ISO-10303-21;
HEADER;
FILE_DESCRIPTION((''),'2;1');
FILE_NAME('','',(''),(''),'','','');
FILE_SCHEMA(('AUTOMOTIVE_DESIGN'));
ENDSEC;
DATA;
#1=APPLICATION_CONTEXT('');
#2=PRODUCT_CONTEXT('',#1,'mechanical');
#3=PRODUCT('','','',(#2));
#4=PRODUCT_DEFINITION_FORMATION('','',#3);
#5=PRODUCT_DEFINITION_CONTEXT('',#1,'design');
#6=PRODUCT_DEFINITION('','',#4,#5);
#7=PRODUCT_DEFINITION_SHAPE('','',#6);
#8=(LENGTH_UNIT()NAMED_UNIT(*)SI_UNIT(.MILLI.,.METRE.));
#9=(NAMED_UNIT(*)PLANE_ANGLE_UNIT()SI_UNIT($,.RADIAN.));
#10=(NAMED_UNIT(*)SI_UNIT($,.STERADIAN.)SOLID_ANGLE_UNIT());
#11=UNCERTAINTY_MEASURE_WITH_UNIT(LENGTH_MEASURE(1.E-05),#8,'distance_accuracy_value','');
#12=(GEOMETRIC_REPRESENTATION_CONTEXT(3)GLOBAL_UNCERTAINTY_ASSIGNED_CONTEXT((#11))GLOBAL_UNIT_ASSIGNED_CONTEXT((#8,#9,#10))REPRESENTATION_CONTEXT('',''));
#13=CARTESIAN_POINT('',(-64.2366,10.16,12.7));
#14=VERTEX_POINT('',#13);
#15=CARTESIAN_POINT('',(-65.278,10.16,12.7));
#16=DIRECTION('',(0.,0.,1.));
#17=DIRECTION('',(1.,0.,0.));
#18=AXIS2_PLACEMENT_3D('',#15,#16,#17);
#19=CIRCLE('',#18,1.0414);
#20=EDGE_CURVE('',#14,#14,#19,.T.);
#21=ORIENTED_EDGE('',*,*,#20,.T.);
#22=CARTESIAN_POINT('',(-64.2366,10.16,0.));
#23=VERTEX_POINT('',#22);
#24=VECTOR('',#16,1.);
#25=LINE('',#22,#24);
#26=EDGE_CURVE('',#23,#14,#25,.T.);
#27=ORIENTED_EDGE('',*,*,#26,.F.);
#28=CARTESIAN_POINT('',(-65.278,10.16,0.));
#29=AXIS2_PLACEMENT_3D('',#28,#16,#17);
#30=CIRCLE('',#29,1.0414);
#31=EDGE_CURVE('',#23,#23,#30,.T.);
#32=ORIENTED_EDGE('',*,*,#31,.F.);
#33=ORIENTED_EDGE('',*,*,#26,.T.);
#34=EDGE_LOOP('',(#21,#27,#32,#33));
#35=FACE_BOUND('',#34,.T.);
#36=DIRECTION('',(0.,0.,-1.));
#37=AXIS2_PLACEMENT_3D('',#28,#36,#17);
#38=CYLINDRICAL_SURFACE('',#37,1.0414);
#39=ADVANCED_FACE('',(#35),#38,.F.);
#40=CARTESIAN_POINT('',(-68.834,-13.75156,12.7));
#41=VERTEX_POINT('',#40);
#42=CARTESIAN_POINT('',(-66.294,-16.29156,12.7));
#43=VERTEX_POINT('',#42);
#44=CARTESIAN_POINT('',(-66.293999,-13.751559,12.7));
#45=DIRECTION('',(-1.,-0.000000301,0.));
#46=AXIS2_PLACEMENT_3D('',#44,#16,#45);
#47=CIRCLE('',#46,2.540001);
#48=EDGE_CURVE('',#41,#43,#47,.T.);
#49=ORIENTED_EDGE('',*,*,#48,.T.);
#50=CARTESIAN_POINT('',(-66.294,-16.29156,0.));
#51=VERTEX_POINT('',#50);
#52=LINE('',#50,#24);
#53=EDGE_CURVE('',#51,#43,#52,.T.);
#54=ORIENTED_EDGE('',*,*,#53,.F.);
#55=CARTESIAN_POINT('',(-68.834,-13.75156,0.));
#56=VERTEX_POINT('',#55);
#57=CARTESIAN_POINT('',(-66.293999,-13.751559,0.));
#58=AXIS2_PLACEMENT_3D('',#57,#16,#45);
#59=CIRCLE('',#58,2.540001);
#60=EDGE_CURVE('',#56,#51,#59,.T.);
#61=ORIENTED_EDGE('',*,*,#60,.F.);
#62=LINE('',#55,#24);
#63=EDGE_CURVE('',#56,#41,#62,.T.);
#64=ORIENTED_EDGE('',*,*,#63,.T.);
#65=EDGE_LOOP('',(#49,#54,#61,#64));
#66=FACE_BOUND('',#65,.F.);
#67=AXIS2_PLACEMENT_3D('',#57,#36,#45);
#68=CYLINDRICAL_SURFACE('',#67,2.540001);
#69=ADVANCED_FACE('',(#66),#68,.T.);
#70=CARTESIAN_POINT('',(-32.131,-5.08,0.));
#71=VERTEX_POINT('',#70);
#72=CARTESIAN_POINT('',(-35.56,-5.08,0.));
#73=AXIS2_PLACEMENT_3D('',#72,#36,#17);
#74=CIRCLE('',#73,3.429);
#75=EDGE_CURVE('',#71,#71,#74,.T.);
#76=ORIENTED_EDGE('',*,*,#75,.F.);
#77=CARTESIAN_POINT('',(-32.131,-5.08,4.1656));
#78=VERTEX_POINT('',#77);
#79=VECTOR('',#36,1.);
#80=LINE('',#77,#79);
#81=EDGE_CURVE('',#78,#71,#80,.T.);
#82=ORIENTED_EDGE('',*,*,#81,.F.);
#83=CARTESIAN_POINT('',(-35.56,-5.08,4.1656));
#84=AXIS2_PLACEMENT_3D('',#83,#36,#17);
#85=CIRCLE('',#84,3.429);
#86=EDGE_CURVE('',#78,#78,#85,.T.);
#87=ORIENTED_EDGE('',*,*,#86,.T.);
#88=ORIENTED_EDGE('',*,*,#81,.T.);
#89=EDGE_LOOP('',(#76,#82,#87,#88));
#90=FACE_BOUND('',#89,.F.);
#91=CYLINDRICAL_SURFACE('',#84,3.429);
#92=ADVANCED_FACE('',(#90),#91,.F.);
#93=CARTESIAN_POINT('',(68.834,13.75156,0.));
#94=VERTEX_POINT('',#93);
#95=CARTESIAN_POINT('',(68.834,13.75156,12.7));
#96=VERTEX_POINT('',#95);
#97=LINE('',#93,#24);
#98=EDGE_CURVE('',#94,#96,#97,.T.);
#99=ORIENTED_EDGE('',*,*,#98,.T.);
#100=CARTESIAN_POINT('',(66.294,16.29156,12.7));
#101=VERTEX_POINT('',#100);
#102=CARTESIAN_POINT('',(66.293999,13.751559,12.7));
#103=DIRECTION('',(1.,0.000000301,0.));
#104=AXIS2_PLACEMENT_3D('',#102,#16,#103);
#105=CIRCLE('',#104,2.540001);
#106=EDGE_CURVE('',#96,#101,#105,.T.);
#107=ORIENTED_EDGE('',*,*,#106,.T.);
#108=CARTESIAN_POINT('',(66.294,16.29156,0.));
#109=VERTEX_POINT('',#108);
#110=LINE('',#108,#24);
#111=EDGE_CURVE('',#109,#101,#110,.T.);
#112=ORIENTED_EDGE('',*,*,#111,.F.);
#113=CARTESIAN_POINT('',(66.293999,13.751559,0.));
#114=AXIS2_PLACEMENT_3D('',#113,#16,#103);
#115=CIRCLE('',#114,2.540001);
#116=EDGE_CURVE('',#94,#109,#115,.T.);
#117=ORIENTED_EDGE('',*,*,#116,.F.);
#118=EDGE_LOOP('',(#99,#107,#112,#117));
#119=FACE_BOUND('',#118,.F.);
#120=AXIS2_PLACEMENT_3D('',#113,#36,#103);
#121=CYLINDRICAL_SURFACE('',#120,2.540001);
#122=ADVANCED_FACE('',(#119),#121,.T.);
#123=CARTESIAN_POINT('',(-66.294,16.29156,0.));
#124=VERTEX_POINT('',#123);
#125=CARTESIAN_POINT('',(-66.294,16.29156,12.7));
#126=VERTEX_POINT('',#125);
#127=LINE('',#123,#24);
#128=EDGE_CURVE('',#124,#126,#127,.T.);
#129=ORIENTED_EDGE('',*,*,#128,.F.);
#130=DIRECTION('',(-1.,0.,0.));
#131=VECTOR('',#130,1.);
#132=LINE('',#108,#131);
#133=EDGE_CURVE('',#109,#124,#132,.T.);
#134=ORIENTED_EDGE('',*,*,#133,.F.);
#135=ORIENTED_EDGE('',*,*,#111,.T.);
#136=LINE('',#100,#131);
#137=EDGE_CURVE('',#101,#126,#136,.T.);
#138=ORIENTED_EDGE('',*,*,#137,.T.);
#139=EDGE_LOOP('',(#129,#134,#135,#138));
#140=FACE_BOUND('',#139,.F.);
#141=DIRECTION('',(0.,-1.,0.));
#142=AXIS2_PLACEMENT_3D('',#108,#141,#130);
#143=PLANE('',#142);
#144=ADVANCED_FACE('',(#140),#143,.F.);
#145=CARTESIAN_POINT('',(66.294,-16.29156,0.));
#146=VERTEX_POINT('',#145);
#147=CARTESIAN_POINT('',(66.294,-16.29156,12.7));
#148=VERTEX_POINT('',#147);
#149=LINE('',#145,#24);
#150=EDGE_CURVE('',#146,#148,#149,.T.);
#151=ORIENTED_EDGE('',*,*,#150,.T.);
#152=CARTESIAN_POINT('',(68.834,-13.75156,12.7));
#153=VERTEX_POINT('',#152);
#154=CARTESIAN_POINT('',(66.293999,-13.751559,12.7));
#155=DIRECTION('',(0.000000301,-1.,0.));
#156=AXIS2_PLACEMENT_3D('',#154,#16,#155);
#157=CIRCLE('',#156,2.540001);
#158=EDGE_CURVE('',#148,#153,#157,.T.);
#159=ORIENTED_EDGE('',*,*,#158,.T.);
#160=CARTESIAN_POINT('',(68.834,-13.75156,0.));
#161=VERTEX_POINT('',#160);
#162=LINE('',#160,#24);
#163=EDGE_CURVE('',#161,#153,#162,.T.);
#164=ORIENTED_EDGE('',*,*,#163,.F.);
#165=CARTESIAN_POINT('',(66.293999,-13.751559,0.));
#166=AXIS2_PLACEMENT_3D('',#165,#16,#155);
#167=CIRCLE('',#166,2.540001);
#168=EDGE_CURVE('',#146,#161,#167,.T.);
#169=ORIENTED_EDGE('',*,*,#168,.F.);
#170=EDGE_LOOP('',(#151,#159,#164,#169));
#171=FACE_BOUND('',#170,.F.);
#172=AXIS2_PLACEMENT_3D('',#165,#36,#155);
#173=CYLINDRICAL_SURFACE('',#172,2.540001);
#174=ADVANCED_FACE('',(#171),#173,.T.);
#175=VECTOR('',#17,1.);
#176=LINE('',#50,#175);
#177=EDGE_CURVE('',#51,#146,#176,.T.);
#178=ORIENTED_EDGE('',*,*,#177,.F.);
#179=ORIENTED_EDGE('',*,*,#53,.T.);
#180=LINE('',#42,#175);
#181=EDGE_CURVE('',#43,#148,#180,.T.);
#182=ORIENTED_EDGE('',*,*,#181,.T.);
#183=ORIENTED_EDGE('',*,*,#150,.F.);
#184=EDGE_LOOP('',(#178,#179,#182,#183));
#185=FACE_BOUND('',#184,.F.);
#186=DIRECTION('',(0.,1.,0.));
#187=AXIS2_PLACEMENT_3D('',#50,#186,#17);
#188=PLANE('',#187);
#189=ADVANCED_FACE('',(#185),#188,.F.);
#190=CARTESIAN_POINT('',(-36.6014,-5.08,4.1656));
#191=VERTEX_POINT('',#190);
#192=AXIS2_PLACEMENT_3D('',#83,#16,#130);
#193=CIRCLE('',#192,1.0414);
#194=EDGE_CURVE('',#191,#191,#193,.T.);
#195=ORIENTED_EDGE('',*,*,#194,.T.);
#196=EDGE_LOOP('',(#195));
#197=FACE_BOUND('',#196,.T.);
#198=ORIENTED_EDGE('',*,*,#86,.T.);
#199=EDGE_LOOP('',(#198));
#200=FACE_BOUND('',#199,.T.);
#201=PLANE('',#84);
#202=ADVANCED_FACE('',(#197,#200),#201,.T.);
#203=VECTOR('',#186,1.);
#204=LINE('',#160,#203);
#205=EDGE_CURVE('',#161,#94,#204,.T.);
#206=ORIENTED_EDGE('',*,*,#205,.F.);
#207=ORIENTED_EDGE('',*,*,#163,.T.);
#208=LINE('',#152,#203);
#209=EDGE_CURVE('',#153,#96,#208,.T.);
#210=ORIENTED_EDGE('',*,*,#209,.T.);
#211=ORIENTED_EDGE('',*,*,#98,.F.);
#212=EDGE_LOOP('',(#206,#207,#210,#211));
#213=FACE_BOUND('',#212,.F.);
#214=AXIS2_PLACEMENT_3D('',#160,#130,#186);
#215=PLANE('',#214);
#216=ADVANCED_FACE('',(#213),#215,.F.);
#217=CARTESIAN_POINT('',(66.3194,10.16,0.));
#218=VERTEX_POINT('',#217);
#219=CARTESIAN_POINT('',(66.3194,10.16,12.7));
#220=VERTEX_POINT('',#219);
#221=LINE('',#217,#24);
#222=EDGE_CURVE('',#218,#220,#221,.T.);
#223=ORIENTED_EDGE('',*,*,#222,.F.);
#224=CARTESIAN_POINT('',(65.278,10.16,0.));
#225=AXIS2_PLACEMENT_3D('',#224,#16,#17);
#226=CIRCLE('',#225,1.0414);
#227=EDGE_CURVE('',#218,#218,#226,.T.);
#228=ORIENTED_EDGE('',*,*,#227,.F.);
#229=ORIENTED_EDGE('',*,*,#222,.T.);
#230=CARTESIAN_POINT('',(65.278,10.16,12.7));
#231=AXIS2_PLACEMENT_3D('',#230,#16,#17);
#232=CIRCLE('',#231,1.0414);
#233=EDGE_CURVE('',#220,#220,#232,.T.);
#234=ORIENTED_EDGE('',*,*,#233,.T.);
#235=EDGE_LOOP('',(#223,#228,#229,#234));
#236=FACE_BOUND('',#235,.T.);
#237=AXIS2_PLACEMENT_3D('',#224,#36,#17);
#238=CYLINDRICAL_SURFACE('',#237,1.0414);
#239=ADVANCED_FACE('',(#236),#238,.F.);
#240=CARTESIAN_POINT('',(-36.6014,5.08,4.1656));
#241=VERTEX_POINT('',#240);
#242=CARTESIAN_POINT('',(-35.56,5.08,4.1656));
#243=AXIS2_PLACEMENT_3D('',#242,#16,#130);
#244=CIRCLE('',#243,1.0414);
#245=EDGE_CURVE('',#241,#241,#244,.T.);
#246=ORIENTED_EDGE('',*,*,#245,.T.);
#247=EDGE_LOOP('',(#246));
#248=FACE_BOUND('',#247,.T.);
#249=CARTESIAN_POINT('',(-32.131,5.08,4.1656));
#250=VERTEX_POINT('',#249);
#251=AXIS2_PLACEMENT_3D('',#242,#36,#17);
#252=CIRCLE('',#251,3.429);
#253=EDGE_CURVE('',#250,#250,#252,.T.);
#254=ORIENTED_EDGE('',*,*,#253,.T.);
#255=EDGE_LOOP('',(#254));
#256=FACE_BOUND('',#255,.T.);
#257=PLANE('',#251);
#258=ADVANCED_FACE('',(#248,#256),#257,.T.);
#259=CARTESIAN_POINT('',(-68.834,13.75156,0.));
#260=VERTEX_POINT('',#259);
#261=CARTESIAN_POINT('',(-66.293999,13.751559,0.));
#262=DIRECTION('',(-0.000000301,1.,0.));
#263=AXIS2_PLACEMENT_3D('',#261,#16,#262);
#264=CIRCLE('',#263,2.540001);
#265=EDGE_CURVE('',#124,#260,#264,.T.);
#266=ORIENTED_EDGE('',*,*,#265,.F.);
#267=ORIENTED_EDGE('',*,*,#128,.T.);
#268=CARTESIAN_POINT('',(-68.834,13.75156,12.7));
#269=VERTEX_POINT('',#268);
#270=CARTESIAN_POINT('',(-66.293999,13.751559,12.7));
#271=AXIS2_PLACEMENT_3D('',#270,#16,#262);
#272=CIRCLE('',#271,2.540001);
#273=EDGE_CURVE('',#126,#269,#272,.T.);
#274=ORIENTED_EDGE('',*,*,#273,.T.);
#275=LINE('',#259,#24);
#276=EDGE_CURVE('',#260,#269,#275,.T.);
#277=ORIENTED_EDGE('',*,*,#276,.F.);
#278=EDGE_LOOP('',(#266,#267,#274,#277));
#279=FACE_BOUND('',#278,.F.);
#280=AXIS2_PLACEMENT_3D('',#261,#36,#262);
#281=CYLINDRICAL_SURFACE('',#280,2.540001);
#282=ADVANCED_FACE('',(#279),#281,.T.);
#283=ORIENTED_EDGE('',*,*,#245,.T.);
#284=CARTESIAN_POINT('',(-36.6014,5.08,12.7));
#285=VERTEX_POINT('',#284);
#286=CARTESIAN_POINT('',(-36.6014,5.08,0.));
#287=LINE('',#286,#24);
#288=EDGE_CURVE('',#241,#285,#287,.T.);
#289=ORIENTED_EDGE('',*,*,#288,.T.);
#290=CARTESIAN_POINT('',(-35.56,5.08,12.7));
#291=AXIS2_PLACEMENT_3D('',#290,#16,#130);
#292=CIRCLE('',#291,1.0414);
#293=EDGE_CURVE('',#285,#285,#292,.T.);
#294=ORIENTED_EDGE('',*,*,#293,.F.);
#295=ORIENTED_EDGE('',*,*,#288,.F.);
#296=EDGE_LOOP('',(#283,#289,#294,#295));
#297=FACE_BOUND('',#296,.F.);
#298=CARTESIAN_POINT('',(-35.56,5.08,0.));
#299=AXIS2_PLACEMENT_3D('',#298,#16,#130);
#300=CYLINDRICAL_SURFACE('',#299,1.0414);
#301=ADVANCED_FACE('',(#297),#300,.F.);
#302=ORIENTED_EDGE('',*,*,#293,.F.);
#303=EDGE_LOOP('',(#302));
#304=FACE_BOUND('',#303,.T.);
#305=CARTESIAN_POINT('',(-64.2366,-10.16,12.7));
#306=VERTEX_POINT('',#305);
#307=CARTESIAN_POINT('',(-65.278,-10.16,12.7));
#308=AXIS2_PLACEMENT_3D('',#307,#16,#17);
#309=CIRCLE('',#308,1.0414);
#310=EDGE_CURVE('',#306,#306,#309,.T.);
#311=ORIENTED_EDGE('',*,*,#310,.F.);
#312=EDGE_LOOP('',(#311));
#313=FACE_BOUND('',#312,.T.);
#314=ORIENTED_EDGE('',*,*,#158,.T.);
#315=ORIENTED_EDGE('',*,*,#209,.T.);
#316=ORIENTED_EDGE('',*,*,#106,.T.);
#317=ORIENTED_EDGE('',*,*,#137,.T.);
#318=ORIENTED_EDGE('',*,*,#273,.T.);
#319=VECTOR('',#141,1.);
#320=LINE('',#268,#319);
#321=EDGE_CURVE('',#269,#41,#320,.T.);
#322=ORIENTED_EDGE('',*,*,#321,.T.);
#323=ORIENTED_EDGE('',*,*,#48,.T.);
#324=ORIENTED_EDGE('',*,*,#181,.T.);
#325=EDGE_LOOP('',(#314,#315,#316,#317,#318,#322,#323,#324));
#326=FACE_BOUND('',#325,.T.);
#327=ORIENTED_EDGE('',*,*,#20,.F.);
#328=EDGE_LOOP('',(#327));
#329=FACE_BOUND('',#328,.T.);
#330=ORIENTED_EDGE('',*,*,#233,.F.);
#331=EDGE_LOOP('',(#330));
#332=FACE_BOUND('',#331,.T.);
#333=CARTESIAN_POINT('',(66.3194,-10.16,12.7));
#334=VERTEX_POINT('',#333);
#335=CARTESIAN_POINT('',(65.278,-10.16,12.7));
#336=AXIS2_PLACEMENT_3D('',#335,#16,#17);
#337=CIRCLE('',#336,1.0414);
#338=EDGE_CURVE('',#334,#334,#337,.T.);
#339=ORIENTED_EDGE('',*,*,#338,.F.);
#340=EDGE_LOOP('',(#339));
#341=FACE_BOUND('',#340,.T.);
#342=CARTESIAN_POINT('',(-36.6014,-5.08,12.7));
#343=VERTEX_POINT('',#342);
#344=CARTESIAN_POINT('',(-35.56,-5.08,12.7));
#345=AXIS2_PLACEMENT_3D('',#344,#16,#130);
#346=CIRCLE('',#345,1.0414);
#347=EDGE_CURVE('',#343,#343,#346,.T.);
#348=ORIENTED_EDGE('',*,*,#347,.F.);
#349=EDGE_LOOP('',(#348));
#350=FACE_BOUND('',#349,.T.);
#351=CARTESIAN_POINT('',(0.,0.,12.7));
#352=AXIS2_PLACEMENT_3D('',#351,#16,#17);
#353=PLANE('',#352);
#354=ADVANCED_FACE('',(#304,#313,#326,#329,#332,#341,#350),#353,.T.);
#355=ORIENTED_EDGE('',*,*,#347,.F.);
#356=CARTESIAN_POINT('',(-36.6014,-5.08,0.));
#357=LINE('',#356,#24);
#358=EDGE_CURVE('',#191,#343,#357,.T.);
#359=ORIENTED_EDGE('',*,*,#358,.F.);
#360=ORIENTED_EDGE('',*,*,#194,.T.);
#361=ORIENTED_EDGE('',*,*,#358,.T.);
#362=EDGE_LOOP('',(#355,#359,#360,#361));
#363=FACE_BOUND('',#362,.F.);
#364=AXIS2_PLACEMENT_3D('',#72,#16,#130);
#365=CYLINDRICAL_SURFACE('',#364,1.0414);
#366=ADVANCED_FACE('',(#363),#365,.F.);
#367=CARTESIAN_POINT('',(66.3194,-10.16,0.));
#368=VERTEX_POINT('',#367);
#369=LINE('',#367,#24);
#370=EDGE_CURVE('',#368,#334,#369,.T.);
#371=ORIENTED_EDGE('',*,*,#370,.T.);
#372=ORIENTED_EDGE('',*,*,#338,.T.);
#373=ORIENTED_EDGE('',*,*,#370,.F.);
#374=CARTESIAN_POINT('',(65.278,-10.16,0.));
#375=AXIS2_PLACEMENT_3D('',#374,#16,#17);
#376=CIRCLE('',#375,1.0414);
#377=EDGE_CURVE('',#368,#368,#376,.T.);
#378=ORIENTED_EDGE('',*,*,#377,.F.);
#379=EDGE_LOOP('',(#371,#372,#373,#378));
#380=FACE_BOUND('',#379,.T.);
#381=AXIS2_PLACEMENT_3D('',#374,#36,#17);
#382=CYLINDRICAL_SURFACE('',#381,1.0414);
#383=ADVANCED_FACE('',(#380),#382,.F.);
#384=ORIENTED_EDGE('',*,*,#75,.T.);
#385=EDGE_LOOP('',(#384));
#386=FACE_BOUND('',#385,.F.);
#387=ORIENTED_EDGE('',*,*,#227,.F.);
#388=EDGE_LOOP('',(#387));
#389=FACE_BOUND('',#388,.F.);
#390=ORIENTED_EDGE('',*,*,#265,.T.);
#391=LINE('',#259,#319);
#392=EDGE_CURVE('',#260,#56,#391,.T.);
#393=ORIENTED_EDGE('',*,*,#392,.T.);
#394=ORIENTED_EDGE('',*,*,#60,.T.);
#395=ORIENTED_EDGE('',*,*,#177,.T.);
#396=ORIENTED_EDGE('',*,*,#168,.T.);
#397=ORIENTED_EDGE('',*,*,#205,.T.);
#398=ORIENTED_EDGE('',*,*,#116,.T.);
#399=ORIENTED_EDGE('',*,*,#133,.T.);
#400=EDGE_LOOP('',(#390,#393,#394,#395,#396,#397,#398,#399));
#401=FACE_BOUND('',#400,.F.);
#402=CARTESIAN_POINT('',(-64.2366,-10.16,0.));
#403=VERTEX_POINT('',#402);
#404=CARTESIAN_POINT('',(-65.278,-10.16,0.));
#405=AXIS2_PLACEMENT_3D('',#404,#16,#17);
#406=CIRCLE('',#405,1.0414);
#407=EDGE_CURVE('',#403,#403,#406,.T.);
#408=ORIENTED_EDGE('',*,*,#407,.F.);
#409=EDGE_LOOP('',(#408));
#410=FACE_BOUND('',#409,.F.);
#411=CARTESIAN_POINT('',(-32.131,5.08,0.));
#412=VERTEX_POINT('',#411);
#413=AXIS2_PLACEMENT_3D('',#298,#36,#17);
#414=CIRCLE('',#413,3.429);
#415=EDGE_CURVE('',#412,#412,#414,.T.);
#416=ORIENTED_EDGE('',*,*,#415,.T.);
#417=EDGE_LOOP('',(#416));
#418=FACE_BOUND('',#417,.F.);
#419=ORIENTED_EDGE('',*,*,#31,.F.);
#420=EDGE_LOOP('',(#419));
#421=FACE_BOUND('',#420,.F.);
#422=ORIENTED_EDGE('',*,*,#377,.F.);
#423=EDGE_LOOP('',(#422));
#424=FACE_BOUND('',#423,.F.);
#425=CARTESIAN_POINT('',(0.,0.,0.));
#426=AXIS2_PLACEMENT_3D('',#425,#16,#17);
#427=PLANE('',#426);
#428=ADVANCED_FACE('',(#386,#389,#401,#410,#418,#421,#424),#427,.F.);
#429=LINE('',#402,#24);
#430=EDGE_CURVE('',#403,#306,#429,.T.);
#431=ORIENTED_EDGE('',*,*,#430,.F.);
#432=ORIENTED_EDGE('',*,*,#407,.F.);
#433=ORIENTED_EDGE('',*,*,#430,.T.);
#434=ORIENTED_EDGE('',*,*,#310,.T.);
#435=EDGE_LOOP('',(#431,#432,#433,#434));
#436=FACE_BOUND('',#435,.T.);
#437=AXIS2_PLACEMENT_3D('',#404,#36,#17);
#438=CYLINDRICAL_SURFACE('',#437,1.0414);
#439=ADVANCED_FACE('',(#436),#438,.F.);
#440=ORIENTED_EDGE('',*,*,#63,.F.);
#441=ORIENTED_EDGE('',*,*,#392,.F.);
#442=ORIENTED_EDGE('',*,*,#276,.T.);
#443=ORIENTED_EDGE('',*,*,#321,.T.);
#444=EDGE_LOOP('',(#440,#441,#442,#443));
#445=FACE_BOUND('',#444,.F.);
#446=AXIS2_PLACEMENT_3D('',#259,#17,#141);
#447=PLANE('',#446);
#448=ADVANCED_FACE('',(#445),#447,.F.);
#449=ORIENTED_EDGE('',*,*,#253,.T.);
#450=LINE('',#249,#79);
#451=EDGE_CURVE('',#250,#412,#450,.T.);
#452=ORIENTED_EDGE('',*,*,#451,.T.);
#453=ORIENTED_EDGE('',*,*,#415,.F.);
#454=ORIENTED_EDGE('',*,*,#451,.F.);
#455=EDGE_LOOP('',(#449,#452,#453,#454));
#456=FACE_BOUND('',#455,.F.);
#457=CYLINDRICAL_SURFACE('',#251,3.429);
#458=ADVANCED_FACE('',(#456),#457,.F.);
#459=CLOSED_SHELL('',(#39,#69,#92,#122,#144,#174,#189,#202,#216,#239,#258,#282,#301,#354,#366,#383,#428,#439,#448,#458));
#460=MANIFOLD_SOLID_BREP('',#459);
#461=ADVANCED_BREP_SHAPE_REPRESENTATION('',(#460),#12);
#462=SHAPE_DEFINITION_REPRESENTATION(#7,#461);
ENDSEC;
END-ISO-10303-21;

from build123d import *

# Parameters (mm, degrees)
F0_R           = 1.0414
F1_DEPTH       = 12.7
F3_D           = 2.0828
F3_CBORE_D     = 6.858
F3_CBORE_DEPTH = 4.1656


with BuildPart() as f1:
    # F0 (on Top) → F1 (new body)
    with BuildSketch(Plane.XY):
        with BuildLine():
            ThreePointArc((-68.834, -13.75156), (-68.090051, -15.547611), (-66.294, -16.29156))
            Line((-66.294, -16.29156), (66.294, -16.29156))
            ThreePointArc((66.294, -16.29156), (68.090051, -15.547611), (68.834, -13.75156))
            Line((68.834, -13.75156), (68.834, 13.75156))
            ThreePointArc((68.834, 13.75156), (68.090051, 15.547611), (66.294, 16.29156))
            Line((66.294, 16.29156), (-66.294, 16.29156))
            ThreePointArc((-66.294, 16.29156), (-68.090051, 15.547611), (-68.834, 13.75156))
            Line((-68.834, 13.75156), (-68.834, -13.75156))
        make_face()
        with Locations((-65.278, -10.16)):
            Circle(F0_R, mode=Mode.SUBTRACT)
        with Locations((65.278, -10.16)):
            Circle(F0_R, mode=Mode.SUBTRACT)
        with Locations((-65.278, 10.16)):
            Circle(F0_R, mode=Mode.SUBTRACT)
        with Locations((65.278, 10.16)):
            Circle(F0_R, mode=Mode.SUBTRACT)
    extrude(amount=F1_DEPTH)

    # F3 (through all)
    with Locations(Plane(origin=(0, 0, 0), x_dir=(1, 0, 0), z_dir=(0, 0, -1))):
        with Locations((-35.56, 5.08), (-35.56, -5.08)):
            CounterBoreHole(F3_D / 2, F3_CBORE_D / 2, F3_CBORE_DEPTH)


solid = f1.part
